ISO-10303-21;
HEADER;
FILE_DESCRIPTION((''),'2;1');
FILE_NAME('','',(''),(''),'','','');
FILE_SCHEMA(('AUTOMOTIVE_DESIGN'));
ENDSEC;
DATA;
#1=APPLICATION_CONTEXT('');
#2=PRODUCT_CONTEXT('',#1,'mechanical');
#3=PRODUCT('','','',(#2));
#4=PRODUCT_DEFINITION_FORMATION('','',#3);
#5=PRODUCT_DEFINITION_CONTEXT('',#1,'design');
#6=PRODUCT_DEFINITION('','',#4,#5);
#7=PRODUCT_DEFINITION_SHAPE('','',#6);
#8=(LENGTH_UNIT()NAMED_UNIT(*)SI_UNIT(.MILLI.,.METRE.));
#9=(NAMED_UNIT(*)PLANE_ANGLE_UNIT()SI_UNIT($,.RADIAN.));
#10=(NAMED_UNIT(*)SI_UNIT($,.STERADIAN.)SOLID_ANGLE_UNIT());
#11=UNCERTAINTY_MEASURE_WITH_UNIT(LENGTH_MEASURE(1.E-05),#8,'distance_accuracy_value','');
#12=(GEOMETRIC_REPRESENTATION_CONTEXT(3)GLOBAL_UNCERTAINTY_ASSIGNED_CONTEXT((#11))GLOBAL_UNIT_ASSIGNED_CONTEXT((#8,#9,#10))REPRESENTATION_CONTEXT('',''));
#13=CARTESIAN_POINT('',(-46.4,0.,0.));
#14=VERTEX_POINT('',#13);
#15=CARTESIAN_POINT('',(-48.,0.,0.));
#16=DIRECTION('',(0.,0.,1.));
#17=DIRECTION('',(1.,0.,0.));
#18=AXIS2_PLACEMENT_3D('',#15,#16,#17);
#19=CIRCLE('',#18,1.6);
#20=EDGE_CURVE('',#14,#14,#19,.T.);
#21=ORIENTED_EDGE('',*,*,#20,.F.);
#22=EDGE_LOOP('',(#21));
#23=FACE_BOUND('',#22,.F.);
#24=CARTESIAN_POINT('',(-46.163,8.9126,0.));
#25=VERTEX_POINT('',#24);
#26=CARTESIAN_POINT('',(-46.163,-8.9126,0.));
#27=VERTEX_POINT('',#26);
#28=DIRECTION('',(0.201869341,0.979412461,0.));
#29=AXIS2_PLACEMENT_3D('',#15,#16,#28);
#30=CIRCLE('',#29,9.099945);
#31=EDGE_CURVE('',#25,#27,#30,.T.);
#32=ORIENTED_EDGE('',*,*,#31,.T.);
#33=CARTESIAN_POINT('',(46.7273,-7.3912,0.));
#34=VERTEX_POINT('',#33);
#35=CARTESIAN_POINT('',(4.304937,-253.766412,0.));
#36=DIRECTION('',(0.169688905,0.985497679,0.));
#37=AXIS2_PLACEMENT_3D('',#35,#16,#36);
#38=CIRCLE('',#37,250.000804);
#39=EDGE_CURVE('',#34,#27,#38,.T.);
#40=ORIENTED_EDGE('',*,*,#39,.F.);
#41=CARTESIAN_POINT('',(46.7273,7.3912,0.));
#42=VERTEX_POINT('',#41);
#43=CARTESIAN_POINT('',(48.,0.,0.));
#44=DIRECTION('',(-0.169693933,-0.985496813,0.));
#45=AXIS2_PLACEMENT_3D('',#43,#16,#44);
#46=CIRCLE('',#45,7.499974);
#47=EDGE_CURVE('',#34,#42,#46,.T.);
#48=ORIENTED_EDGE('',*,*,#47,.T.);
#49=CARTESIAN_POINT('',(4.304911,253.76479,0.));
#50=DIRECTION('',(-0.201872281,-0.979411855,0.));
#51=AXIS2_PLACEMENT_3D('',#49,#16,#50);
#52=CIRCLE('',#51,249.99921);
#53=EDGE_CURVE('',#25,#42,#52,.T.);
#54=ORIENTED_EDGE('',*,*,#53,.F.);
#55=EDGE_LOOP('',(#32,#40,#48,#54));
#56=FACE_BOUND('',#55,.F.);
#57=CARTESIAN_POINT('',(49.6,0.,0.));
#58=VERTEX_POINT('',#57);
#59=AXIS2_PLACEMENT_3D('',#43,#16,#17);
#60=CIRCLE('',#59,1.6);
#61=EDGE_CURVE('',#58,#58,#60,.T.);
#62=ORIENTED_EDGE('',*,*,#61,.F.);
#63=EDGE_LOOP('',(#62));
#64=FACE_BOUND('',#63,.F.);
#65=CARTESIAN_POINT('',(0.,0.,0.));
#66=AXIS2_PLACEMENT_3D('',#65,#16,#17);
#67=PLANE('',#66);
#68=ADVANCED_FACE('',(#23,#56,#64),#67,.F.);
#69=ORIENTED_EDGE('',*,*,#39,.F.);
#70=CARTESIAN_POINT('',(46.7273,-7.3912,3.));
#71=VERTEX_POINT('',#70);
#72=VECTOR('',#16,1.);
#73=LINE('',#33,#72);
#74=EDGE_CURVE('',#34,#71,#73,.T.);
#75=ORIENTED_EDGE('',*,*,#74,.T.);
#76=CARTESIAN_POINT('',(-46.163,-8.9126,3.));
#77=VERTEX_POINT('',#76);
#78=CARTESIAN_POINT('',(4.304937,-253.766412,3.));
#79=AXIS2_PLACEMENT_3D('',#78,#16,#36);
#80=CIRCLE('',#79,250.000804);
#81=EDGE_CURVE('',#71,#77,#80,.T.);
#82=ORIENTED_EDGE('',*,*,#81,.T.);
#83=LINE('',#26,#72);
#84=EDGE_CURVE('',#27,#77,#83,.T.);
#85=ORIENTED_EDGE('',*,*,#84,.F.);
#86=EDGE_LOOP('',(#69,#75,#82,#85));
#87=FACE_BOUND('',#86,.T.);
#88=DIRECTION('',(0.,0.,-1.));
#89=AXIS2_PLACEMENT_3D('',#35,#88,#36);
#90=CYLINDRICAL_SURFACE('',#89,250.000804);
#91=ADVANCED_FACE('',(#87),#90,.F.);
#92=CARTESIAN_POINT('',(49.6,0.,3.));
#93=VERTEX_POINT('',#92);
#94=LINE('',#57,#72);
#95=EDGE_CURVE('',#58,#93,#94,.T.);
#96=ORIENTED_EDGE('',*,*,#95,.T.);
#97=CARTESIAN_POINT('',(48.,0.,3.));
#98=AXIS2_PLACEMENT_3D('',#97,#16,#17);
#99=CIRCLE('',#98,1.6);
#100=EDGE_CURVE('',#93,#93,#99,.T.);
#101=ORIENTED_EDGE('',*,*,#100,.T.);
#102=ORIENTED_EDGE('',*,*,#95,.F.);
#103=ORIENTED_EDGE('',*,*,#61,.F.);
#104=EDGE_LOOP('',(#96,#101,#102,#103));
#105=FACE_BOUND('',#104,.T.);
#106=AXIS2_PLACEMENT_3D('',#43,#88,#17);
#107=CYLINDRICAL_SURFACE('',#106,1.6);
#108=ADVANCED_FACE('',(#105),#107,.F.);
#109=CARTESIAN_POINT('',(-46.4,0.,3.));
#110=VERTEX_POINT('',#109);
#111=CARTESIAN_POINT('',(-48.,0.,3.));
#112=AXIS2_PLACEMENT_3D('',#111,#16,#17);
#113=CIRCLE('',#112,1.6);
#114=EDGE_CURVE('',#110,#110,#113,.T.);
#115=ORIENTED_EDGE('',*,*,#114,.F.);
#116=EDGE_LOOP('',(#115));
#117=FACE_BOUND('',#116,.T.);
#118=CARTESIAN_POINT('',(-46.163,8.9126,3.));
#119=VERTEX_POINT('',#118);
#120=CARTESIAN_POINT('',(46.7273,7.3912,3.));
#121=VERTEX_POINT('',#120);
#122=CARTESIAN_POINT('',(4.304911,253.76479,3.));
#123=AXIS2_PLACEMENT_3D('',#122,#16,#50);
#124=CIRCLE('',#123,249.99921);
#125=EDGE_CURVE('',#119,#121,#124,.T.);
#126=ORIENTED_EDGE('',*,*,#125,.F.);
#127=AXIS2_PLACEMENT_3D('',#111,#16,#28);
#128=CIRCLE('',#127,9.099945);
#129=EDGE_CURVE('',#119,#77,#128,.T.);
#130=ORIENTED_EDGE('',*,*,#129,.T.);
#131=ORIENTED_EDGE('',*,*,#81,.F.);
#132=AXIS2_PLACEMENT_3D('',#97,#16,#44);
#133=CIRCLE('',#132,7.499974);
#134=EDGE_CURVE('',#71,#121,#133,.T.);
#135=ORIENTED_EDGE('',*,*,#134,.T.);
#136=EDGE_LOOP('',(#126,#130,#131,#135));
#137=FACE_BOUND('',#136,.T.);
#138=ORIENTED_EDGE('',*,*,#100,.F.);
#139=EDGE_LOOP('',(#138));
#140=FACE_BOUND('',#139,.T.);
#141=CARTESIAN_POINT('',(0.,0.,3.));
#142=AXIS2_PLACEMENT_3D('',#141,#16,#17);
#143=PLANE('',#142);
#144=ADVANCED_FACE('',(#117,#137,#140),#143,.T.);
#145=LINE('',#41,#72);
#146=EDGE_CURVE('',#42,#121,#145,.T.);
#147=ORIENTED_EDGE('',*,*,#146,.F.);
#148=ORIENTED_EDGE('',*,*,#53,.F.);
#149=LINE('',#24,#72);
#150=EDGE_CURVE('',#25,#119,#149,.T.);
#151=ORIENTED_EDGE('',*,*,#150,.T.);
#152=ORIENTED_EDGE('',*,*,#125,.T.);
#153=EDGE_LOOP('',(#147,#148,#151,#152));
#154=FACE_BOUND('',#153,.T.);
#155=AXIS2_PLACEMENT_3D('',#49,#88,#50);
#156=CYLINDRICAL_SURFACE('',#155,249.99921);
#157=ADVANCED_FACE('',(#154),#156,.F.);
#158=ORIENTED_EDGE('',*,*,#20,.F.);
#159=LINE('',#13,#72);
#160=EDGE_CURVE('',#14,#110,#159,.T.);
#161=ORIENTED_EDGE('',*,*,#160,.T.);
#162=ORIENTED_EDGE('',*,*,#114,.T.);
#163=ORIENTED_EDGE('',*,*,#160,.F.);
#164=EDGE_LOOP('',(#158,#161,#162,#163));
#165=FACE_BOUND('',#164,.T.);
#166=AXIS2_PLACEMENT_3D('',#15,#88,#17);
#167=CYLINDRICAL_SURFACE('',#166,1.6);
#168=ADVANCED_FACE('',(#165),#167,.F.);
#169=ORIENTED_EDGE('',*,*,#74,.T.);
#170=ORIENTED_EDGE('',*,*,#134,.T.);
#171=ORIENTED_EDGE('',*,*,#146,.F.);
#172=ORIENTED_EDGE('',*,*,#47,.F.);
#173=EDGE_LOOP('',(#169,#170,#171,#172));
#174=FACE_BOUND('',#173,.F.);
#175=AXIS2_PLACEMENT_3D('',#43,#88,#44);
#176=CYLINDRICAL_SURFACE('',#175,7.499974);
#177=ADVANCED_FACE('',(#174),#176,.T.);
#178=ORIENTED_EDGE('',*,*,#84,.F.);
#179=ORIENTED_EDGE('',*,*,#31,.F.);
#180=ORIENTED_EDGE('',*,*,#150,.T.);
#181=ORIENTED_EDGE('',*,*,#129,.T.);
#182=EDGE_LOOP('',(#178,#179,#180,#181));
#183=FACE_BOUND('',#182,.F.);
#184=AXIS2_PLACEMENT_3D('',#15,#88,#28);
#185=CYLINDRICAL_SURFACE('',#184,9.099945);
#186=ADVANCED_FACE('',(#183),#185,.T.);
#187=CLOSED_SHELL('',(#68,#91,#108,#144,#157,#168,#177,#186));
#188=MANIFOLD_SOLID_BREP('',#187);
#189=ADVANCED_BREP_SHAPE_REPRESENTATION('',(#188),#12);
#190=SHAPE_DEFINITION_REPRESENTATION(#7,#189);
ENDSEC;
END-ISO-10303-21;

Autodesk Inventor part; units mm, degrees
ref_plane "YZ Plane" through (0, 0, 0) normal (1, 0, 0) x (0, 1, 0)
ref_plane "XZ Plane" through (0, 0, 0) normal (0, 1, 0) x (-1, 0, 0)
ref_plane "XY Plane" through (0, 0, 0) normal (0, 0, 1) x (1, 0, 0)
sketch "スケッチ1" plane through (0, 0, 0) normal (0, 0, 1) x (1, 0, 0)
  circle A0 centre (-48, 0) radius 1.6
  circle A1 centre (48, 0) radius 1.6
  arc A2 (-46.163, 8.9126) -> (-46.163, -8.9126) centre (-48, 0) ccw
  arc A3 (46.7273, -7.3912) -> (46.7273, 7.3912) centre (48, 0) ccw
  arc A4 (-46.163, 8.9126) -> (46.7273, 7.3912) centre (4.305, 253.7656) ccw
  arc A5 (46.7273, -7.3912) -> (-46.163, -8.9126) centre (4.305, -253.7656) ccw
  point P0 (0, 0)
  dimension "d0" = 3.2
  dimension "d1" = 3.2
  dimension "d2" = 96
  dimension "d3" = 48
  dimension "d4" = 7.5
  dimension "d5" = 7.5
  dimension "d6" = 250
  dimension "d7" = 250
extrude "押し出し1" add sketch "スケッチ1" along normal blind 3
equation "\"d3\" = 0.5 * d2"
properties part number "オムニ_支え板" material "アルミニウム 6061"
